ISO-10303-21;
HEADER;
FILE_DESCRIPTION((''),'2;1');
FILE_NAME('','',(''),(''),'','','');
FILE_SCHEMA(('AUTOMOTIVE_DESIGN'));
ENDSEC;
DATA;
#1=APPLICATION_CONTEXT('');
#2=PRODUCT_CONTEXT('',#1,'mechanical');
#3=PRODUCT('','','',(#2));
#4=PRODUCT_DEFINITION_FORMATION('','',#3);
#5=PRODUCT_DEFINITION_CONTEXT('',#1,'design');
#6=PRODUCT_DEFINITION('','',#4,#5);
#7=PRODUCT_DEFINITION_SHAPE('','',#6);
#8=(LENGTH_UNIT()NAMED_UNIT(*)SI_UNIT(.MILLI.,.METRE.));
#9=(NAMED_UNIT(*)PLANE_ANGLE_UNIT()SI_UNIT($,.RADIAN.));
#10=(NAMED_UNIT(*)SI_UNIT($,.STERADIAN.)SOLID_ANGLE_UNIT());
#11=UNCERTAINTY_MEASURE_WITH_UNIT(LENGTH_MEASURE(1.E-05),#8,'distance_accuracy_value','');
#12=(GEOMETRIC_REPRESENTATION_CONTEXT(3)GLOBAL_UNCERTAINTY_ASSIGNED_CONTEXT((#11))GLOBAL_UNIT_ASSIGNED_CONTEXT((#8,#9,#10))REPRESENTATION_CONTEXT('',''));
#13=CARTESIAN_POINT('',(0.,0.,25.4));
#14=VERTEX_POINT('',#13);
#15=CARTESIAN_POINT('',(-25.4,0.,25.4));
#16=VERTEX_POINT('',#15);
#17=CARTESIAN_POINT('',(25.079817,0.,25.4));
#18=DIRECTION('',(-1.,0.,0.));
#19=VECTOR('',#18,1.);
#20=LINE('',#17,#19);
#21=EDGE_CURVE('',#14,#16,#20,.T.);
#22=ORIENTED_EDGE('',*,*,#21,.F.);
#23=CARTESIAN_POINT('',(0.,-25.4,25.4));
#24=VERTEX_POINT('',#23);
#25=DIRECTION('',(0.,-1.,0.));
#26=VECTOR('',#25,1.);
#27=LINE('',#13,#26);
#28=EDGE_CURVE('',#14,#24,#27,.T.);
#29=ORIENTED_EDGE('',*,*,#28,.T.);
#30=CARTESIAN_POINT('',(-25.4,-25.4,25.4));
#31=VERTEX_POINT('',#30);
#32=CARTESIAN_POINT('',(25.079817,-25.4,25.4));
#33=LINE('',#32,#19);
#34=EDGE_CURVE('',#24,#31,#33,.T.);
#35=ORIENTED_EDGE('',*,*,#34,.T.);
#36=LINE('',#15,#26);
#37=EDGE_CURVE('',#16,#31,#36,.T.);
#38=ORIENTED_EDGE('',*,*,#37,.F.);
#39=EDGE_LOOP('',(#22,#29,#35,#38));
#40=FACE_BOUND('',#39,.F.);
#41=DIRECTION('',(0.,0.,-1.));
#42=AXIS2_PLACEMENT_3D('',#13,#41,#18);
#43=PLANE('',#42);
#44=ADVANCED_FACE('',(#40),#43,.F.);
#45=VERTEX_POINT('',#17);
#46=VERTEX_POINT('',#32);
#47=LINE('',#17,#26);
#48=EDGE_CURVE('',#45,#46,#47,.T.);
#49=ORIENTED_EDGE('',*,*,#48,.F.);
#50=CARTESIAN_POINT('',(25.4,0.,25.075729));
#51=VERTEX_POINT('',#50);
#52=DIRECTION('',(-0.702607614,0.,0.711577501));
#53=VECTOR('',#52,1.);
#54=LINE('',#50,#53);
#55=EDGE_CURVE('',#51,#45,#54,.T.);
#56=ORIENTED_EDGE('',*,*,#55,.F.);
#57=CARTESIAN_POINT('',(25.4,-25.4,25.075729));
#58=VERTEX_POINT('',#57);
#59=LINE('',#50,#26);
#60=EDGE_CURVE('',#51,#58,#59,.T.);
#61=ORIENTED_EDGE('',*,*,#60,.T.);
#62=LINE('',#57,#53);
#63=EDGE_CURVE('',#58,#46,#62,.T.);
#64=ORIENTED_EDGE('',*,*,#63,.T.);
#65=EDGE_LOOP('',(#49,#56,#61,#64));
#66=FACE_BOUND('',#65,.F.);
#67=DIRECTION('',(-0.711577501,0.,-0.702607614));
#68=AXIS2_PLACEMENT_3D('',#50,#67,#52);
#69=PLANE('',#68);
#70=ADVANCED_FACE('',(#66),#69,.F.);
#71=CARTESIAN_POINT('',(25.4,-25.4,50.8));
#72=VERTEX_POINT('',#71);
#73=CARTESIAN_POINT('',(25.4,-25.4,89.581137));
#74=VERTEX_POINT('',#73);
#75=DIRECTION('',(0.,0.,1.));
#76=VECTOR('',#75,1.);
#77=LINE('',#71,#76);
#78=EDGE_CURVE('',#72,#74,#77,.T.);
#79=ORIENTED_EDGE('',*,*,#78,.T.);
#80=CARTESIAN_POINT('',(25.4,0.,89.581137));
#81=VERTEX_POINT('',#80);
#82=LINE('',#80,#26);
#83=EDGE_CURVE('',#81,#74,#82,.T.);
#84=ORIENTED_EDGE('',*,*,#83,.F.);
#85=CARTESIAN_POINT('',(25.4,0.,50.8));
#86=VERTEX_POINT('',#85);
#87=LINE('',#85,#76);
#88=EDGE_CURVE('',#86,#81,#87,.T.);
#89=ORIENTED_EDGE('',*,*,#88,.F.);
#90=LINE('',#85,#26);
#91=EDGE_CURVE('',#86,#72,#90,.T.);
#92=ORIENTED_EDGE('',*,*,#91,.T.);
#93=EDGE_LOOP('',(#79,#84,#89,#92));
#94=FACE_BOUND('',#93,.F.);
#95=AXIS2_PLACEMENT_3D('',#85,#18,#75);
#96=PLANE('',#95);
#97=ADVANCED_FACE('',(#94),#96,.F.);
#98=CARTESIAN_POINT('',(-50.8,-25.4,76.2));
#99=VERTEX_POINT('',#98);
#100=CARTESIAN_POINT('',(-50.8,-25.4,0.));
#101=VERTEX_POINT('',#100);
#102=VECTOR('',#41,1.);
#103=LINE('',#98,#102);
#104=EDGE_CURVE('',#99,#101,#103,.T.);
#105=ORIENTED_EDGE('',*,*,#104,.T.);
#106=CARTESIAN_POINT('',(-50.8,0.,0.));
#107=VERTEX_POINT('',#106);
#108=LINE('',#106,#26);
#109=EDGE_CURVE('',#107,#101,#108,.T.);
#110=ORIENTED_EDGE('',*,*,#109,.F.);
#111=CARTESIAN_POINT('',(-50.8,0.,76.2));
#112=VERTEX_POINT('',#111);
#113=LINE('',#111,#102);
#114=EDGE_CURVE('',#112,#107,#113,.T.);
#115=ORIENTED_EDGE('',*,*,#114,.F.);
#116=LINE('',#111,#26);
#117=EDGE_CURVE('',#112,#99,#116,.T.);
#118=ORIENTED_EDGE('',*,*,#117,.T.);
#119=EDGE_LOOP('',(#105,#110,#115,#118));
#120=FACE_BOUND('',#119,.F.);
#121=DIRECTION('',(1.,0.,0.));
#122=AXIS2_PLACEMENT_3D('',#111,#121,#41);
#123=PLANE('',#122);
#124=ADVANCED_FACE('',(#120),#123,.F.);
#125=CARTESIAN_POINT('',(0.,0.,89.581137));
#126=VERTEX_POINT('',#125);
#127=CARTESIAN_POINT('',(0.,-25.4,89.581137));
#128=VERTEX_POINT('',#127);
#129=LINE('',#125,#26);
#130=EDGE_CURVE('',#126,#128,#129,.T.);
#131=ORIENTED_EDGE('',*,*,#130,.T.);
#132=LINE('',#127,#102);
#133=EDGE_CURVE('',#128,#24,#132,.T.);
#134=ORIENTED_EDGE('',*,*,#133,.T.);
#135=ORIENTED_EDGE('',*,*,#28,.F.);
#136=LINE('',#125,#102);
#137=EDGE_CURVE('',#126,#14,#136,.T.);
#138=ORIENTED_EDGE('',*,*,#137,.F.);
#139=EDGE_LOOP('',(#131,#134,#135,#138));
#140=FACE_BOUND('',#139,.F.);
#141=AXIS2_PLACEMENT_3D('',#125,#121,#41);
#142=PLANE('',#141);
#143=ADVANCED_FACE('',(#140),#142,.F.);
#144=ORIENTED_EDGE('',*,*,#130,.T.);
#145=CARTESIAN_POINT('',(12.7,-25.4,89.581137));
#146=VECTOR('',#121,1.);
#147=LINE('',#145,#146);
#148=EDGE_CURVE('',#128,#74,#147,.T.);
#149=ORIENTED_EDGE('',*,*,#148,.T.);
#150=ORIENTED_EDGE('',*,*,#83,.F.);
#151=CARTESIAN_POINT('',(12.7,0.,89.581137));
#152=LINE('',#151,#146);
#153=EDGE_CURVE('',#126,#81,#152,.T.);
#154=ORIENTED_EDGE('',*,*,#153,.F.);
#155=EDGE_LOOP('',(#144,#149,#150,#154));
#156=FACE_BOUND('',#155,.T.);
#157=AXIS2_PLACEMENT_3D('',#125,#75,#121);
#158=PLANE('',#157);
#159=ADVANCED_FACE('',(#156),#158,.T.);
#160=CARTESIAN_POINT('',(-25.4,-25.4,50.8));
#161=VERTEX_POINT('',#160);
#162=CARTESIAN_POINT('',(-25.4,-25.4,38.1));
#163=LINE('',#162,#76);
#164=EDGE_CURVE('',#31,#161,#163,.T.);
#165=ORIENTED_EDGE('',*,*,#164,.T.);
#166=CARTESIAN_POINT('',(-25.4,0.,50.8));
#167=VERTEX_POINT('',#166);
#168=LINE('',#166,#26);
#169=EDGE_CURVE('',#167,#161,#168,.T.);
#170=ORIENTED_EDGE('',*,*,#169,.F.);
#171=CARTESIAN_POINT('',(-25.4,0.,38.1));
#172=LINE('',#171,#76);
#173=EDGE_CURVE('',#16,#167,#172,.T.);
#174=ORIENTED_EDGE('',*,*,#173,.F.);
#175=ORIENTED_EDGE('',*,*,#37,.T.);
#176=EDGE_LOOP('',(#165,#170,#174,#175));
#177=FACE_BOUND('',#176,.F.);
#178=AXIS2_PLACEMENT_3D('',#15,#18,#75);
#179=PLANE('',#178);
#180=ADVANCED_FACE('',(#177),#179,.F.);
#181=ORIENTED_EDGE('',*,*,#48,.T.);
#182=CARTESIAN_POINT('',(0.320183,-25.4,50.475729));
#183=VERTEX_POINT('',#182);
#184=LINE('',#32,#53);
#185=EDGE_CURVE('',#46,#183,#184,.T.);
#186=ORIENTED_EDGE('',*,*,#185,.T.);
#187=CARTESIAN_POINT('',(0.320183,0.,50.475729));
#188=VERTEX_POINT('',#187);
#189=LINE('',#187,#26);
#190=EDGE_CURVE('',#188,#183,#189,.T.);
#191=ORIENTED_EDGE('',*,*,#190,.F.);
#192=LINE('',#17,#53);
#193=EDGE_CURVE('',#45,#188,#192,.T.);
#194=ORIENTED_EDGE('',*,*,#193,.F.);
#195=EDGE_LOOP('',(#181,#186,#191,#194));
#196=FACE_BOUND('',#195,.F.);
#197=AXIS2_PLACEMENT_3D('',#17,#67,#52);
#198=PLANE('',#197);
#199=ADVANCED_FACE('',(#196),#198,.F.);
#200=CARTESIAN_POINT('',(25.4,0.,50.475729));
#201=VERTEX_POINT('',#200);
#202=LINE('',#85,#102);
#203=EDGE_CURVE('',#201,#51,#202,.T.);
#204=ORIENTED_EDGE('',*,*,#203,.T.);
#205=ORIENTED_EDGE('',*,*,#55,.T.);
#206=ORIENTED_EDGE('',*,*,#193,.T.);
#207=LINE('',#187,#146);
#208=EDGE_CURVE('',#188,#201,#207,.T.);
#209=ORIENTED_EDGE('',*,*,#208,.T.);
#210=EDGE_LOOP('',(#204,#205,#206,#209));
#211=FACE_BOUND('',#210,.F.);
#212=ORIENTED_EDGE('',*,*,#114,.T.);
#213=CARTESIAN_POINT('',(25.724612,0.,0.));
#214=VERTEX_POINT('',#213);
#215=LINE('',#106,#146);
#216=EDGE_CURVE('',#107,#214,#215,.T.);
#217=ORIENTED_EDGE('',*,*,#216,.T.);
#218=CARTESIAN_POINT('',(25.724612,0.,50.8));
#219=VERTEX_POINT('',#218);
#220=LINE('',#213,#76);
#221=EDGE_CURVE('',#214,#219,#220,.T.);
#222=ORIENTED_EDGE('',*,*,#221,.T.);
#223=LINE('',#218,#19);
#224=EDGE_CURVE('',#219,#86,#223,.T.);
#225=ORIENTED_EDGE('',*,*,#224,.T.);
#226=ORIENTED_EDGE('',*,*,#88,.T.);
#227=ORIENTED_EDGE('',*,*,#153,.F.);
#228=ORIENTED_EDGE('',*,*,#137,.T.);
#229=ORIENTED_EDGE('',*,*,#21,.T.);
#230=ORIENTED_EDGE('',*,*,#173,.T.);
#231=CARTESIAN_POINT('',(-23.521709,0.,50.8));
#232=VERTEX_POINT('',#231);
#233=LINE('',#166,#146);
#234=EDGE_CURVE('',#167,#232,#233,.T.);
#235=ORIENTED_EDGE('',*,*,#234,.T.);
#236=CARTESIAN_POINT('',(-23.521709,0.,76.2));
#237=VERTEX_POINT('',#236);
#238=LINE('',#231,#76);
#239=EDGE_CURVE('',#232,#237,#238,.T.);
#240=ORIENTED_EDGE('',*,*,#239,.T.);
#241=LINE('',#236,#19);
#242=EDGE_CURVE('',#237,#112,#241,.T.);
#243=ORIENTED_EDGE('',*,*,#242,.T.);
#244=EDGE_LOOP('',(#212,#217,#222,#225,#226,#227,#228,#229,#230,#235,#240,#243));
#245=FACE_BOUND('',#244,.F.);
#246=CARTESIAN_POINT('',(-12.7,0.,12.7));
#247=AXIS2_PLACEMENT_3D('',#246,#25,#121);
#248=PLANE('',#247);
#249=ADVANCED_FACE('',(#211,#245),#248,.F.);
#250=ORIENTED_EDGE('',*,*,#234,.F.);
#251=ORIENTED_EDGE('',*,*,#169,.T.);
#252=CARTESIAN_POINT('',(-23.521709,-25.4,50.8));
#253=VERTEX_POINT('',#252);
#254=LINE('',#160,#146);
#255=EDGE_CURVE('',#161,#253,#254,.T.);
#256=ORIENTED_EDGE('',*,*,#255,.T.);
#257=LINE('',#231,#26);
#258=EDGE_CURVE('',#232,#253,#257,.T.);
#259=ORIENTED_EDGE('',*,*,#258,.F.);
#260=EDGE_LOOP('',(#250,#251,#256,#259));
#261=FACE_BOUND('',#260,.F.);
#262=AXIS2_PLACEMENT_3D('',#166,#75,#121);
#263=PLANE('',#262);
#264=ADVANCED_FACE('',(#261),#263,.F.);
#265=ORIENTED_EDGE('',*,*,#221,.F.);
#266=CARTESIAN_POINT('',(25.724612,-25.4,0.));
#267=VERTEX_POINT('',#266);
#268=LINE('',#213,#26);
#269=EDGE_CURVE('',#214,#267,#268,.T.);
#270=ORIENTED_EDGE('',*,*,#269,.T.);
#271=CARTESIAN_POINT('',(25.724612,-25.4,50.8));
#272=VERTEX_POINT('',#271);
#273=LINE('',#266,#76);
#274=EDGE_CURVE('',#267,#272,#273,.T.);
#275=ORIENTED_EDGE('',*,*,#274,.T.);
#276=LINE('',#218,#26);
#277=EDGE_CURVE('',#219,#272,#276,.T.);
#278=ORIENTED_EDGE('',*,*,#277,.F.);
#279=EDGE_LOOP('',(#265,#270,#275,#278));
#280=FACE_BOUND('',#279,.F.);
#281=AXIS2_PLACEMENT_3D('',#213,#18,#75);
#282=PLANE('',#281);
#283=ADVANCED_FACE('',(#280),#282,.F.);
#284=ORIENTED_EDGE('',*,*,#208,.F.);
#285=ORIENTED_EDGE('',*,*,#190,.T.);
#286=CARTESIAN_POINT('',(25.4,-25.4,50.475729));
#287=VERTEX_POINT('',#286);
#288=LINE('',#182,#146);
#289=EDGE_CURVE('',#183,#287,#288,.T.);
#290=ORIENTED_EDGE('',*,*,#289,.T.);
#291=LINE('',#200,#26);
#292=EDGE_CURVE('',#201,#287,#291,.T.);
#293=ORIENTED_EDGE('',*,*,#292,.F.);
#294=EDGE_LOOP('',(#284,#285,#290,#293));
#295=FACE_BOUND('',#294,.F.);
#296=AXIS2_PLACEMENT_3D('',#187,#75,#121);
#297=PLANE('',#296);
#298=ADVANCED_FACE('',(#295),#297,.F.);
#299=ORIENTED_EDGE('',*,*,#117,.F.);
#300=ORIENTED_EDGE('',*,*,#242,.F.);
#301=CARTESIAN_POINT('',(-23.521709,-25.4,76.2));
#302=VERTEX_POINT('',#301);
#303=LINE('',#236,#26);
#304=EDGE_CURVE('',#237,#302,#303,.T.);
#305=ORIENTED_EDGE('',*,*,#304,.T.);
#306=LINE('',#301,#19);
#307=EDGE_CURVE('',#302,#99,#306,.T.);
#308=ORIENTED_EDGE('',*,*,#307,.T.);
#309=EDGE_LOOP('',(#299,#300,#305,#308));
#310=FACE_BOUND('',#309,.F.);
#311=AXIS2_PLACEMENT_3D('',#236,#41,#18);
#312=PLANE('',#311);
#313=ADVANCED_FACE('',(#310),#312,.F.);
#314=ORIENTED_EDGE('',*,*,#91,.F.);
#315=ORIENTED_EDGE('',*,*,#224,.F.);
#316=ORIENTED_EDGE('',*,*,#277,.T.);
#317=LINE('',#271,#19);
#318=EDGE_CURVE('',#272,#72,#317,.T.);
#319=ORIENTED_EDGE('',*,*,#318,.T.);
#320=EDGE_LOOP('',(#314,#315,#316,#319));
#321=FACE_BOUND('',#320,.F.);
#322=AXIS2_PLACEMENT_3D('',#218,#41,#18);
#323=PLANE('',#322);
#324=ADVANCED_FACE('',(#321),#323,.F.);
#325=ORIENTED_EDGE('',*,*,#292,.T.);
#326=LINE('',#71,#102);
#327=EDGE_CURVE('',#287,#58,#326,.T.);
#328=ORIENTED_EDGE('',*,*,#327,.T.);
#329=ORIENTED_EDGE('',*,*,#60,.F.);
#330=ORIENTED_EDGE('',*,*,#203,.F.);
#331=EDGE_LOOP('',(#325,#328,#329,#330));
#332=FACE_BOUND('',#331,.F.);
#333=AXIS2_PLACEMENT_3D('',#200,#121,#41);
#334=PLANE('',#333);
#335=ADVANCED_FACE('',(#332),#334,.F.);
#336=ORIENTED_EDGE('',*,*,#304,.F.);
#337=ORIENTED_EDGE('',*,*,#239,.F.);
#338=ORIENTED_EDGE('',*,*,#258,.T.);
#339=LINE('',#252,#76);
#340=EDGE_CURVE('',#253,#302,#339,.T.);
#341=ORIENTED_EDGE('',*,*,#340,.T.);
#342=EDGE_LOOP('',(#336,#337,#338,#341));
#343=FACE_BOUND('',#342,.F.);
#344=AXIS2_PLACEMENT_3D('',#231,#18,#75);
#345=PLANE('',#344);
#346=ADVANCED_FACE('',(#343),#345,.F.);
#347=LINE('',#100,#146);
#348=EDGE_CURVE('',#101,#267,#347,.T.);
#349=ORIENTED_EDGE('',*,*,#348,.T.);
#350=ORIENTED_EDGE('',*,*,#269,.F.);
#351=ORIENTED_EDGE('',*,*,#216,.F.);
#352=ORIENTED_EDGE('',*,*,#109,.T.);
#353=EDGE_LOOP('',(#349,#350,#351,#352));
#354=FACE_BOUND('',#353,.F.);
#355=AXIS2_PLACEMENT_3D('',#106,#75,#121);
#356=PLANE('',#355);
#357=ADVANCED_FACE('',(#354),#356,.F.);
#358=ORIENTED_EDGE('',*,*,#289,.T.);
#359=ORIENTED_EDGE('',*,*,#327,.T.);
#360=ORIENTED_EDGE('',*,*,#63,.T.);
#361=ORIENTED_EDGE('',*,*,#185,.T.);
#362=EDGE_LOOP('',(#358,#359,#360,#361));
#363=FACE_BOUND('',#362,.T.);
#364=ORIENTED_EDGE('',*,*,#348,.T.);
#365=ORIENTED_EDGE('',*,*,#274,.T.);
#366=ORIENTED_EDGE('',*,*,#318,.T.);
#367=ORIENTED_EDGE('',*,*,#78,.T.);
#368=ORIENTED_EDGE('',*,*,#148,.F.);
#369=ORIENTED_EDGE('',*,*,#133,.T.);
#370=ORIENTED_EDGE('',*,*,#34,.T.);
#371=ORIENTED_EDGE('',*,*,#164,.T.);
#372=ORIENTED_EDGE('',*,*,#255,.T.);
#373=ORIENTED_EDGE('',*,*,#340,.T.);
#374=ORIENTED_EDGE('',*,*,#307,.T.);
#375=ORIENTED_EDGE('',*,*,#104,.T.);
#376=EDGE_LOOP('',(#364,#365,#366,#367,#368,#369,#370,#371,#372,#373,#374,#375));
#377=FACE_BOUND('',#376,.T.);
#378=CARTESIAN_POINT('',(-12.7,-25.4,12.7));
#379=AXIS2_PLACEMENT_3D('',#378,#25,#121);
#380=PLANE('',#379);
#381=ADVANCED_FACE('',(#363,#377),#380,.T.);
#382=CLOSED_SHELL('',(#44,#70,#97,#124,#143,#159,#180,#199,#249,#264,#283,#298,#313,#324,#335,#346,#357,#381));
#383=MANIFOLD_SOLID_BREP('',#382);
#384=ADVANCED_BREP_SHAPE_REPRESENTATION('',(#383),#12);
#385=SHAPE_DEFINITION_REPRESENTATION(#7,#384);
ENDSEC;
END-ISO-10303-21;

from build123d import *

# Parameters (mm, degrees)
F0_W     = 25.4
F0_H     = 25.4
F0_H_2   = 13.3811374086
F0_H_3   = 11.694591806
F0_H_4   = 13.705408194
F1_DEPTH = 25.4


with BuildPart() as f1:
    # F0 (on Front) → F1 (new body)
    with BuildSketch(Plane.XZ):
        with Locations((-12.7, 12.7)):
            Rectangle(F0_W, F0_H)
        Polygon((0, 25.4), (0, 0), (25.7246118264, 0), (25.7246118264, 25.4), (25.4, 25.4), (25.4, 25.0757292146), (25.079816854, 25.4), align=None)
        with Locations((-38.1, 12.7)):
            Rectangle(F0_W, F0_H)
        Polygon((0, 50.4757292146), (0, 25.4), (25.079816854, 25.4), (0.320183146, 50.4757292146), align=None)
        with Locations((-38.1, 38.1)):
            Rectangle(F0_W, F0_H)
        Polygon((0, 50.8), (0, 50.4757292146), (0.320183146, 50.4757292146), align=None)
        Polygon((25.4, 25.4), (25.7246118264, 25.4), (25.7246118264, 50.8), (25.4, 50.8), (25.4, 50.4757292146), align=None)
        Polygon((-50.8, 50.8), (-25.4, 50.8), (-23.5217092774, 50.8), (-23.5217092774, 76.2), (-50.8, 76.2), align=None)
        Polygon((0, 50.8), (0.320183146, 50.4757292146), (25.4, 50.4757292146), (25.4, 50.8), align=None)
        with Locations((12.7, 57.4905687043)):
            Rectangle(F0_W, F0_H_2)
        with Locations((12.7, 70.0284333116)):
            Rectangle(F0_W, F0_H_3)
        with Locations((12.7, 82.7284333116)):
            Rectangle(F0_W, F0_H_4)
    extrude(amount=F1_DEPTH)


solid = f1.part
